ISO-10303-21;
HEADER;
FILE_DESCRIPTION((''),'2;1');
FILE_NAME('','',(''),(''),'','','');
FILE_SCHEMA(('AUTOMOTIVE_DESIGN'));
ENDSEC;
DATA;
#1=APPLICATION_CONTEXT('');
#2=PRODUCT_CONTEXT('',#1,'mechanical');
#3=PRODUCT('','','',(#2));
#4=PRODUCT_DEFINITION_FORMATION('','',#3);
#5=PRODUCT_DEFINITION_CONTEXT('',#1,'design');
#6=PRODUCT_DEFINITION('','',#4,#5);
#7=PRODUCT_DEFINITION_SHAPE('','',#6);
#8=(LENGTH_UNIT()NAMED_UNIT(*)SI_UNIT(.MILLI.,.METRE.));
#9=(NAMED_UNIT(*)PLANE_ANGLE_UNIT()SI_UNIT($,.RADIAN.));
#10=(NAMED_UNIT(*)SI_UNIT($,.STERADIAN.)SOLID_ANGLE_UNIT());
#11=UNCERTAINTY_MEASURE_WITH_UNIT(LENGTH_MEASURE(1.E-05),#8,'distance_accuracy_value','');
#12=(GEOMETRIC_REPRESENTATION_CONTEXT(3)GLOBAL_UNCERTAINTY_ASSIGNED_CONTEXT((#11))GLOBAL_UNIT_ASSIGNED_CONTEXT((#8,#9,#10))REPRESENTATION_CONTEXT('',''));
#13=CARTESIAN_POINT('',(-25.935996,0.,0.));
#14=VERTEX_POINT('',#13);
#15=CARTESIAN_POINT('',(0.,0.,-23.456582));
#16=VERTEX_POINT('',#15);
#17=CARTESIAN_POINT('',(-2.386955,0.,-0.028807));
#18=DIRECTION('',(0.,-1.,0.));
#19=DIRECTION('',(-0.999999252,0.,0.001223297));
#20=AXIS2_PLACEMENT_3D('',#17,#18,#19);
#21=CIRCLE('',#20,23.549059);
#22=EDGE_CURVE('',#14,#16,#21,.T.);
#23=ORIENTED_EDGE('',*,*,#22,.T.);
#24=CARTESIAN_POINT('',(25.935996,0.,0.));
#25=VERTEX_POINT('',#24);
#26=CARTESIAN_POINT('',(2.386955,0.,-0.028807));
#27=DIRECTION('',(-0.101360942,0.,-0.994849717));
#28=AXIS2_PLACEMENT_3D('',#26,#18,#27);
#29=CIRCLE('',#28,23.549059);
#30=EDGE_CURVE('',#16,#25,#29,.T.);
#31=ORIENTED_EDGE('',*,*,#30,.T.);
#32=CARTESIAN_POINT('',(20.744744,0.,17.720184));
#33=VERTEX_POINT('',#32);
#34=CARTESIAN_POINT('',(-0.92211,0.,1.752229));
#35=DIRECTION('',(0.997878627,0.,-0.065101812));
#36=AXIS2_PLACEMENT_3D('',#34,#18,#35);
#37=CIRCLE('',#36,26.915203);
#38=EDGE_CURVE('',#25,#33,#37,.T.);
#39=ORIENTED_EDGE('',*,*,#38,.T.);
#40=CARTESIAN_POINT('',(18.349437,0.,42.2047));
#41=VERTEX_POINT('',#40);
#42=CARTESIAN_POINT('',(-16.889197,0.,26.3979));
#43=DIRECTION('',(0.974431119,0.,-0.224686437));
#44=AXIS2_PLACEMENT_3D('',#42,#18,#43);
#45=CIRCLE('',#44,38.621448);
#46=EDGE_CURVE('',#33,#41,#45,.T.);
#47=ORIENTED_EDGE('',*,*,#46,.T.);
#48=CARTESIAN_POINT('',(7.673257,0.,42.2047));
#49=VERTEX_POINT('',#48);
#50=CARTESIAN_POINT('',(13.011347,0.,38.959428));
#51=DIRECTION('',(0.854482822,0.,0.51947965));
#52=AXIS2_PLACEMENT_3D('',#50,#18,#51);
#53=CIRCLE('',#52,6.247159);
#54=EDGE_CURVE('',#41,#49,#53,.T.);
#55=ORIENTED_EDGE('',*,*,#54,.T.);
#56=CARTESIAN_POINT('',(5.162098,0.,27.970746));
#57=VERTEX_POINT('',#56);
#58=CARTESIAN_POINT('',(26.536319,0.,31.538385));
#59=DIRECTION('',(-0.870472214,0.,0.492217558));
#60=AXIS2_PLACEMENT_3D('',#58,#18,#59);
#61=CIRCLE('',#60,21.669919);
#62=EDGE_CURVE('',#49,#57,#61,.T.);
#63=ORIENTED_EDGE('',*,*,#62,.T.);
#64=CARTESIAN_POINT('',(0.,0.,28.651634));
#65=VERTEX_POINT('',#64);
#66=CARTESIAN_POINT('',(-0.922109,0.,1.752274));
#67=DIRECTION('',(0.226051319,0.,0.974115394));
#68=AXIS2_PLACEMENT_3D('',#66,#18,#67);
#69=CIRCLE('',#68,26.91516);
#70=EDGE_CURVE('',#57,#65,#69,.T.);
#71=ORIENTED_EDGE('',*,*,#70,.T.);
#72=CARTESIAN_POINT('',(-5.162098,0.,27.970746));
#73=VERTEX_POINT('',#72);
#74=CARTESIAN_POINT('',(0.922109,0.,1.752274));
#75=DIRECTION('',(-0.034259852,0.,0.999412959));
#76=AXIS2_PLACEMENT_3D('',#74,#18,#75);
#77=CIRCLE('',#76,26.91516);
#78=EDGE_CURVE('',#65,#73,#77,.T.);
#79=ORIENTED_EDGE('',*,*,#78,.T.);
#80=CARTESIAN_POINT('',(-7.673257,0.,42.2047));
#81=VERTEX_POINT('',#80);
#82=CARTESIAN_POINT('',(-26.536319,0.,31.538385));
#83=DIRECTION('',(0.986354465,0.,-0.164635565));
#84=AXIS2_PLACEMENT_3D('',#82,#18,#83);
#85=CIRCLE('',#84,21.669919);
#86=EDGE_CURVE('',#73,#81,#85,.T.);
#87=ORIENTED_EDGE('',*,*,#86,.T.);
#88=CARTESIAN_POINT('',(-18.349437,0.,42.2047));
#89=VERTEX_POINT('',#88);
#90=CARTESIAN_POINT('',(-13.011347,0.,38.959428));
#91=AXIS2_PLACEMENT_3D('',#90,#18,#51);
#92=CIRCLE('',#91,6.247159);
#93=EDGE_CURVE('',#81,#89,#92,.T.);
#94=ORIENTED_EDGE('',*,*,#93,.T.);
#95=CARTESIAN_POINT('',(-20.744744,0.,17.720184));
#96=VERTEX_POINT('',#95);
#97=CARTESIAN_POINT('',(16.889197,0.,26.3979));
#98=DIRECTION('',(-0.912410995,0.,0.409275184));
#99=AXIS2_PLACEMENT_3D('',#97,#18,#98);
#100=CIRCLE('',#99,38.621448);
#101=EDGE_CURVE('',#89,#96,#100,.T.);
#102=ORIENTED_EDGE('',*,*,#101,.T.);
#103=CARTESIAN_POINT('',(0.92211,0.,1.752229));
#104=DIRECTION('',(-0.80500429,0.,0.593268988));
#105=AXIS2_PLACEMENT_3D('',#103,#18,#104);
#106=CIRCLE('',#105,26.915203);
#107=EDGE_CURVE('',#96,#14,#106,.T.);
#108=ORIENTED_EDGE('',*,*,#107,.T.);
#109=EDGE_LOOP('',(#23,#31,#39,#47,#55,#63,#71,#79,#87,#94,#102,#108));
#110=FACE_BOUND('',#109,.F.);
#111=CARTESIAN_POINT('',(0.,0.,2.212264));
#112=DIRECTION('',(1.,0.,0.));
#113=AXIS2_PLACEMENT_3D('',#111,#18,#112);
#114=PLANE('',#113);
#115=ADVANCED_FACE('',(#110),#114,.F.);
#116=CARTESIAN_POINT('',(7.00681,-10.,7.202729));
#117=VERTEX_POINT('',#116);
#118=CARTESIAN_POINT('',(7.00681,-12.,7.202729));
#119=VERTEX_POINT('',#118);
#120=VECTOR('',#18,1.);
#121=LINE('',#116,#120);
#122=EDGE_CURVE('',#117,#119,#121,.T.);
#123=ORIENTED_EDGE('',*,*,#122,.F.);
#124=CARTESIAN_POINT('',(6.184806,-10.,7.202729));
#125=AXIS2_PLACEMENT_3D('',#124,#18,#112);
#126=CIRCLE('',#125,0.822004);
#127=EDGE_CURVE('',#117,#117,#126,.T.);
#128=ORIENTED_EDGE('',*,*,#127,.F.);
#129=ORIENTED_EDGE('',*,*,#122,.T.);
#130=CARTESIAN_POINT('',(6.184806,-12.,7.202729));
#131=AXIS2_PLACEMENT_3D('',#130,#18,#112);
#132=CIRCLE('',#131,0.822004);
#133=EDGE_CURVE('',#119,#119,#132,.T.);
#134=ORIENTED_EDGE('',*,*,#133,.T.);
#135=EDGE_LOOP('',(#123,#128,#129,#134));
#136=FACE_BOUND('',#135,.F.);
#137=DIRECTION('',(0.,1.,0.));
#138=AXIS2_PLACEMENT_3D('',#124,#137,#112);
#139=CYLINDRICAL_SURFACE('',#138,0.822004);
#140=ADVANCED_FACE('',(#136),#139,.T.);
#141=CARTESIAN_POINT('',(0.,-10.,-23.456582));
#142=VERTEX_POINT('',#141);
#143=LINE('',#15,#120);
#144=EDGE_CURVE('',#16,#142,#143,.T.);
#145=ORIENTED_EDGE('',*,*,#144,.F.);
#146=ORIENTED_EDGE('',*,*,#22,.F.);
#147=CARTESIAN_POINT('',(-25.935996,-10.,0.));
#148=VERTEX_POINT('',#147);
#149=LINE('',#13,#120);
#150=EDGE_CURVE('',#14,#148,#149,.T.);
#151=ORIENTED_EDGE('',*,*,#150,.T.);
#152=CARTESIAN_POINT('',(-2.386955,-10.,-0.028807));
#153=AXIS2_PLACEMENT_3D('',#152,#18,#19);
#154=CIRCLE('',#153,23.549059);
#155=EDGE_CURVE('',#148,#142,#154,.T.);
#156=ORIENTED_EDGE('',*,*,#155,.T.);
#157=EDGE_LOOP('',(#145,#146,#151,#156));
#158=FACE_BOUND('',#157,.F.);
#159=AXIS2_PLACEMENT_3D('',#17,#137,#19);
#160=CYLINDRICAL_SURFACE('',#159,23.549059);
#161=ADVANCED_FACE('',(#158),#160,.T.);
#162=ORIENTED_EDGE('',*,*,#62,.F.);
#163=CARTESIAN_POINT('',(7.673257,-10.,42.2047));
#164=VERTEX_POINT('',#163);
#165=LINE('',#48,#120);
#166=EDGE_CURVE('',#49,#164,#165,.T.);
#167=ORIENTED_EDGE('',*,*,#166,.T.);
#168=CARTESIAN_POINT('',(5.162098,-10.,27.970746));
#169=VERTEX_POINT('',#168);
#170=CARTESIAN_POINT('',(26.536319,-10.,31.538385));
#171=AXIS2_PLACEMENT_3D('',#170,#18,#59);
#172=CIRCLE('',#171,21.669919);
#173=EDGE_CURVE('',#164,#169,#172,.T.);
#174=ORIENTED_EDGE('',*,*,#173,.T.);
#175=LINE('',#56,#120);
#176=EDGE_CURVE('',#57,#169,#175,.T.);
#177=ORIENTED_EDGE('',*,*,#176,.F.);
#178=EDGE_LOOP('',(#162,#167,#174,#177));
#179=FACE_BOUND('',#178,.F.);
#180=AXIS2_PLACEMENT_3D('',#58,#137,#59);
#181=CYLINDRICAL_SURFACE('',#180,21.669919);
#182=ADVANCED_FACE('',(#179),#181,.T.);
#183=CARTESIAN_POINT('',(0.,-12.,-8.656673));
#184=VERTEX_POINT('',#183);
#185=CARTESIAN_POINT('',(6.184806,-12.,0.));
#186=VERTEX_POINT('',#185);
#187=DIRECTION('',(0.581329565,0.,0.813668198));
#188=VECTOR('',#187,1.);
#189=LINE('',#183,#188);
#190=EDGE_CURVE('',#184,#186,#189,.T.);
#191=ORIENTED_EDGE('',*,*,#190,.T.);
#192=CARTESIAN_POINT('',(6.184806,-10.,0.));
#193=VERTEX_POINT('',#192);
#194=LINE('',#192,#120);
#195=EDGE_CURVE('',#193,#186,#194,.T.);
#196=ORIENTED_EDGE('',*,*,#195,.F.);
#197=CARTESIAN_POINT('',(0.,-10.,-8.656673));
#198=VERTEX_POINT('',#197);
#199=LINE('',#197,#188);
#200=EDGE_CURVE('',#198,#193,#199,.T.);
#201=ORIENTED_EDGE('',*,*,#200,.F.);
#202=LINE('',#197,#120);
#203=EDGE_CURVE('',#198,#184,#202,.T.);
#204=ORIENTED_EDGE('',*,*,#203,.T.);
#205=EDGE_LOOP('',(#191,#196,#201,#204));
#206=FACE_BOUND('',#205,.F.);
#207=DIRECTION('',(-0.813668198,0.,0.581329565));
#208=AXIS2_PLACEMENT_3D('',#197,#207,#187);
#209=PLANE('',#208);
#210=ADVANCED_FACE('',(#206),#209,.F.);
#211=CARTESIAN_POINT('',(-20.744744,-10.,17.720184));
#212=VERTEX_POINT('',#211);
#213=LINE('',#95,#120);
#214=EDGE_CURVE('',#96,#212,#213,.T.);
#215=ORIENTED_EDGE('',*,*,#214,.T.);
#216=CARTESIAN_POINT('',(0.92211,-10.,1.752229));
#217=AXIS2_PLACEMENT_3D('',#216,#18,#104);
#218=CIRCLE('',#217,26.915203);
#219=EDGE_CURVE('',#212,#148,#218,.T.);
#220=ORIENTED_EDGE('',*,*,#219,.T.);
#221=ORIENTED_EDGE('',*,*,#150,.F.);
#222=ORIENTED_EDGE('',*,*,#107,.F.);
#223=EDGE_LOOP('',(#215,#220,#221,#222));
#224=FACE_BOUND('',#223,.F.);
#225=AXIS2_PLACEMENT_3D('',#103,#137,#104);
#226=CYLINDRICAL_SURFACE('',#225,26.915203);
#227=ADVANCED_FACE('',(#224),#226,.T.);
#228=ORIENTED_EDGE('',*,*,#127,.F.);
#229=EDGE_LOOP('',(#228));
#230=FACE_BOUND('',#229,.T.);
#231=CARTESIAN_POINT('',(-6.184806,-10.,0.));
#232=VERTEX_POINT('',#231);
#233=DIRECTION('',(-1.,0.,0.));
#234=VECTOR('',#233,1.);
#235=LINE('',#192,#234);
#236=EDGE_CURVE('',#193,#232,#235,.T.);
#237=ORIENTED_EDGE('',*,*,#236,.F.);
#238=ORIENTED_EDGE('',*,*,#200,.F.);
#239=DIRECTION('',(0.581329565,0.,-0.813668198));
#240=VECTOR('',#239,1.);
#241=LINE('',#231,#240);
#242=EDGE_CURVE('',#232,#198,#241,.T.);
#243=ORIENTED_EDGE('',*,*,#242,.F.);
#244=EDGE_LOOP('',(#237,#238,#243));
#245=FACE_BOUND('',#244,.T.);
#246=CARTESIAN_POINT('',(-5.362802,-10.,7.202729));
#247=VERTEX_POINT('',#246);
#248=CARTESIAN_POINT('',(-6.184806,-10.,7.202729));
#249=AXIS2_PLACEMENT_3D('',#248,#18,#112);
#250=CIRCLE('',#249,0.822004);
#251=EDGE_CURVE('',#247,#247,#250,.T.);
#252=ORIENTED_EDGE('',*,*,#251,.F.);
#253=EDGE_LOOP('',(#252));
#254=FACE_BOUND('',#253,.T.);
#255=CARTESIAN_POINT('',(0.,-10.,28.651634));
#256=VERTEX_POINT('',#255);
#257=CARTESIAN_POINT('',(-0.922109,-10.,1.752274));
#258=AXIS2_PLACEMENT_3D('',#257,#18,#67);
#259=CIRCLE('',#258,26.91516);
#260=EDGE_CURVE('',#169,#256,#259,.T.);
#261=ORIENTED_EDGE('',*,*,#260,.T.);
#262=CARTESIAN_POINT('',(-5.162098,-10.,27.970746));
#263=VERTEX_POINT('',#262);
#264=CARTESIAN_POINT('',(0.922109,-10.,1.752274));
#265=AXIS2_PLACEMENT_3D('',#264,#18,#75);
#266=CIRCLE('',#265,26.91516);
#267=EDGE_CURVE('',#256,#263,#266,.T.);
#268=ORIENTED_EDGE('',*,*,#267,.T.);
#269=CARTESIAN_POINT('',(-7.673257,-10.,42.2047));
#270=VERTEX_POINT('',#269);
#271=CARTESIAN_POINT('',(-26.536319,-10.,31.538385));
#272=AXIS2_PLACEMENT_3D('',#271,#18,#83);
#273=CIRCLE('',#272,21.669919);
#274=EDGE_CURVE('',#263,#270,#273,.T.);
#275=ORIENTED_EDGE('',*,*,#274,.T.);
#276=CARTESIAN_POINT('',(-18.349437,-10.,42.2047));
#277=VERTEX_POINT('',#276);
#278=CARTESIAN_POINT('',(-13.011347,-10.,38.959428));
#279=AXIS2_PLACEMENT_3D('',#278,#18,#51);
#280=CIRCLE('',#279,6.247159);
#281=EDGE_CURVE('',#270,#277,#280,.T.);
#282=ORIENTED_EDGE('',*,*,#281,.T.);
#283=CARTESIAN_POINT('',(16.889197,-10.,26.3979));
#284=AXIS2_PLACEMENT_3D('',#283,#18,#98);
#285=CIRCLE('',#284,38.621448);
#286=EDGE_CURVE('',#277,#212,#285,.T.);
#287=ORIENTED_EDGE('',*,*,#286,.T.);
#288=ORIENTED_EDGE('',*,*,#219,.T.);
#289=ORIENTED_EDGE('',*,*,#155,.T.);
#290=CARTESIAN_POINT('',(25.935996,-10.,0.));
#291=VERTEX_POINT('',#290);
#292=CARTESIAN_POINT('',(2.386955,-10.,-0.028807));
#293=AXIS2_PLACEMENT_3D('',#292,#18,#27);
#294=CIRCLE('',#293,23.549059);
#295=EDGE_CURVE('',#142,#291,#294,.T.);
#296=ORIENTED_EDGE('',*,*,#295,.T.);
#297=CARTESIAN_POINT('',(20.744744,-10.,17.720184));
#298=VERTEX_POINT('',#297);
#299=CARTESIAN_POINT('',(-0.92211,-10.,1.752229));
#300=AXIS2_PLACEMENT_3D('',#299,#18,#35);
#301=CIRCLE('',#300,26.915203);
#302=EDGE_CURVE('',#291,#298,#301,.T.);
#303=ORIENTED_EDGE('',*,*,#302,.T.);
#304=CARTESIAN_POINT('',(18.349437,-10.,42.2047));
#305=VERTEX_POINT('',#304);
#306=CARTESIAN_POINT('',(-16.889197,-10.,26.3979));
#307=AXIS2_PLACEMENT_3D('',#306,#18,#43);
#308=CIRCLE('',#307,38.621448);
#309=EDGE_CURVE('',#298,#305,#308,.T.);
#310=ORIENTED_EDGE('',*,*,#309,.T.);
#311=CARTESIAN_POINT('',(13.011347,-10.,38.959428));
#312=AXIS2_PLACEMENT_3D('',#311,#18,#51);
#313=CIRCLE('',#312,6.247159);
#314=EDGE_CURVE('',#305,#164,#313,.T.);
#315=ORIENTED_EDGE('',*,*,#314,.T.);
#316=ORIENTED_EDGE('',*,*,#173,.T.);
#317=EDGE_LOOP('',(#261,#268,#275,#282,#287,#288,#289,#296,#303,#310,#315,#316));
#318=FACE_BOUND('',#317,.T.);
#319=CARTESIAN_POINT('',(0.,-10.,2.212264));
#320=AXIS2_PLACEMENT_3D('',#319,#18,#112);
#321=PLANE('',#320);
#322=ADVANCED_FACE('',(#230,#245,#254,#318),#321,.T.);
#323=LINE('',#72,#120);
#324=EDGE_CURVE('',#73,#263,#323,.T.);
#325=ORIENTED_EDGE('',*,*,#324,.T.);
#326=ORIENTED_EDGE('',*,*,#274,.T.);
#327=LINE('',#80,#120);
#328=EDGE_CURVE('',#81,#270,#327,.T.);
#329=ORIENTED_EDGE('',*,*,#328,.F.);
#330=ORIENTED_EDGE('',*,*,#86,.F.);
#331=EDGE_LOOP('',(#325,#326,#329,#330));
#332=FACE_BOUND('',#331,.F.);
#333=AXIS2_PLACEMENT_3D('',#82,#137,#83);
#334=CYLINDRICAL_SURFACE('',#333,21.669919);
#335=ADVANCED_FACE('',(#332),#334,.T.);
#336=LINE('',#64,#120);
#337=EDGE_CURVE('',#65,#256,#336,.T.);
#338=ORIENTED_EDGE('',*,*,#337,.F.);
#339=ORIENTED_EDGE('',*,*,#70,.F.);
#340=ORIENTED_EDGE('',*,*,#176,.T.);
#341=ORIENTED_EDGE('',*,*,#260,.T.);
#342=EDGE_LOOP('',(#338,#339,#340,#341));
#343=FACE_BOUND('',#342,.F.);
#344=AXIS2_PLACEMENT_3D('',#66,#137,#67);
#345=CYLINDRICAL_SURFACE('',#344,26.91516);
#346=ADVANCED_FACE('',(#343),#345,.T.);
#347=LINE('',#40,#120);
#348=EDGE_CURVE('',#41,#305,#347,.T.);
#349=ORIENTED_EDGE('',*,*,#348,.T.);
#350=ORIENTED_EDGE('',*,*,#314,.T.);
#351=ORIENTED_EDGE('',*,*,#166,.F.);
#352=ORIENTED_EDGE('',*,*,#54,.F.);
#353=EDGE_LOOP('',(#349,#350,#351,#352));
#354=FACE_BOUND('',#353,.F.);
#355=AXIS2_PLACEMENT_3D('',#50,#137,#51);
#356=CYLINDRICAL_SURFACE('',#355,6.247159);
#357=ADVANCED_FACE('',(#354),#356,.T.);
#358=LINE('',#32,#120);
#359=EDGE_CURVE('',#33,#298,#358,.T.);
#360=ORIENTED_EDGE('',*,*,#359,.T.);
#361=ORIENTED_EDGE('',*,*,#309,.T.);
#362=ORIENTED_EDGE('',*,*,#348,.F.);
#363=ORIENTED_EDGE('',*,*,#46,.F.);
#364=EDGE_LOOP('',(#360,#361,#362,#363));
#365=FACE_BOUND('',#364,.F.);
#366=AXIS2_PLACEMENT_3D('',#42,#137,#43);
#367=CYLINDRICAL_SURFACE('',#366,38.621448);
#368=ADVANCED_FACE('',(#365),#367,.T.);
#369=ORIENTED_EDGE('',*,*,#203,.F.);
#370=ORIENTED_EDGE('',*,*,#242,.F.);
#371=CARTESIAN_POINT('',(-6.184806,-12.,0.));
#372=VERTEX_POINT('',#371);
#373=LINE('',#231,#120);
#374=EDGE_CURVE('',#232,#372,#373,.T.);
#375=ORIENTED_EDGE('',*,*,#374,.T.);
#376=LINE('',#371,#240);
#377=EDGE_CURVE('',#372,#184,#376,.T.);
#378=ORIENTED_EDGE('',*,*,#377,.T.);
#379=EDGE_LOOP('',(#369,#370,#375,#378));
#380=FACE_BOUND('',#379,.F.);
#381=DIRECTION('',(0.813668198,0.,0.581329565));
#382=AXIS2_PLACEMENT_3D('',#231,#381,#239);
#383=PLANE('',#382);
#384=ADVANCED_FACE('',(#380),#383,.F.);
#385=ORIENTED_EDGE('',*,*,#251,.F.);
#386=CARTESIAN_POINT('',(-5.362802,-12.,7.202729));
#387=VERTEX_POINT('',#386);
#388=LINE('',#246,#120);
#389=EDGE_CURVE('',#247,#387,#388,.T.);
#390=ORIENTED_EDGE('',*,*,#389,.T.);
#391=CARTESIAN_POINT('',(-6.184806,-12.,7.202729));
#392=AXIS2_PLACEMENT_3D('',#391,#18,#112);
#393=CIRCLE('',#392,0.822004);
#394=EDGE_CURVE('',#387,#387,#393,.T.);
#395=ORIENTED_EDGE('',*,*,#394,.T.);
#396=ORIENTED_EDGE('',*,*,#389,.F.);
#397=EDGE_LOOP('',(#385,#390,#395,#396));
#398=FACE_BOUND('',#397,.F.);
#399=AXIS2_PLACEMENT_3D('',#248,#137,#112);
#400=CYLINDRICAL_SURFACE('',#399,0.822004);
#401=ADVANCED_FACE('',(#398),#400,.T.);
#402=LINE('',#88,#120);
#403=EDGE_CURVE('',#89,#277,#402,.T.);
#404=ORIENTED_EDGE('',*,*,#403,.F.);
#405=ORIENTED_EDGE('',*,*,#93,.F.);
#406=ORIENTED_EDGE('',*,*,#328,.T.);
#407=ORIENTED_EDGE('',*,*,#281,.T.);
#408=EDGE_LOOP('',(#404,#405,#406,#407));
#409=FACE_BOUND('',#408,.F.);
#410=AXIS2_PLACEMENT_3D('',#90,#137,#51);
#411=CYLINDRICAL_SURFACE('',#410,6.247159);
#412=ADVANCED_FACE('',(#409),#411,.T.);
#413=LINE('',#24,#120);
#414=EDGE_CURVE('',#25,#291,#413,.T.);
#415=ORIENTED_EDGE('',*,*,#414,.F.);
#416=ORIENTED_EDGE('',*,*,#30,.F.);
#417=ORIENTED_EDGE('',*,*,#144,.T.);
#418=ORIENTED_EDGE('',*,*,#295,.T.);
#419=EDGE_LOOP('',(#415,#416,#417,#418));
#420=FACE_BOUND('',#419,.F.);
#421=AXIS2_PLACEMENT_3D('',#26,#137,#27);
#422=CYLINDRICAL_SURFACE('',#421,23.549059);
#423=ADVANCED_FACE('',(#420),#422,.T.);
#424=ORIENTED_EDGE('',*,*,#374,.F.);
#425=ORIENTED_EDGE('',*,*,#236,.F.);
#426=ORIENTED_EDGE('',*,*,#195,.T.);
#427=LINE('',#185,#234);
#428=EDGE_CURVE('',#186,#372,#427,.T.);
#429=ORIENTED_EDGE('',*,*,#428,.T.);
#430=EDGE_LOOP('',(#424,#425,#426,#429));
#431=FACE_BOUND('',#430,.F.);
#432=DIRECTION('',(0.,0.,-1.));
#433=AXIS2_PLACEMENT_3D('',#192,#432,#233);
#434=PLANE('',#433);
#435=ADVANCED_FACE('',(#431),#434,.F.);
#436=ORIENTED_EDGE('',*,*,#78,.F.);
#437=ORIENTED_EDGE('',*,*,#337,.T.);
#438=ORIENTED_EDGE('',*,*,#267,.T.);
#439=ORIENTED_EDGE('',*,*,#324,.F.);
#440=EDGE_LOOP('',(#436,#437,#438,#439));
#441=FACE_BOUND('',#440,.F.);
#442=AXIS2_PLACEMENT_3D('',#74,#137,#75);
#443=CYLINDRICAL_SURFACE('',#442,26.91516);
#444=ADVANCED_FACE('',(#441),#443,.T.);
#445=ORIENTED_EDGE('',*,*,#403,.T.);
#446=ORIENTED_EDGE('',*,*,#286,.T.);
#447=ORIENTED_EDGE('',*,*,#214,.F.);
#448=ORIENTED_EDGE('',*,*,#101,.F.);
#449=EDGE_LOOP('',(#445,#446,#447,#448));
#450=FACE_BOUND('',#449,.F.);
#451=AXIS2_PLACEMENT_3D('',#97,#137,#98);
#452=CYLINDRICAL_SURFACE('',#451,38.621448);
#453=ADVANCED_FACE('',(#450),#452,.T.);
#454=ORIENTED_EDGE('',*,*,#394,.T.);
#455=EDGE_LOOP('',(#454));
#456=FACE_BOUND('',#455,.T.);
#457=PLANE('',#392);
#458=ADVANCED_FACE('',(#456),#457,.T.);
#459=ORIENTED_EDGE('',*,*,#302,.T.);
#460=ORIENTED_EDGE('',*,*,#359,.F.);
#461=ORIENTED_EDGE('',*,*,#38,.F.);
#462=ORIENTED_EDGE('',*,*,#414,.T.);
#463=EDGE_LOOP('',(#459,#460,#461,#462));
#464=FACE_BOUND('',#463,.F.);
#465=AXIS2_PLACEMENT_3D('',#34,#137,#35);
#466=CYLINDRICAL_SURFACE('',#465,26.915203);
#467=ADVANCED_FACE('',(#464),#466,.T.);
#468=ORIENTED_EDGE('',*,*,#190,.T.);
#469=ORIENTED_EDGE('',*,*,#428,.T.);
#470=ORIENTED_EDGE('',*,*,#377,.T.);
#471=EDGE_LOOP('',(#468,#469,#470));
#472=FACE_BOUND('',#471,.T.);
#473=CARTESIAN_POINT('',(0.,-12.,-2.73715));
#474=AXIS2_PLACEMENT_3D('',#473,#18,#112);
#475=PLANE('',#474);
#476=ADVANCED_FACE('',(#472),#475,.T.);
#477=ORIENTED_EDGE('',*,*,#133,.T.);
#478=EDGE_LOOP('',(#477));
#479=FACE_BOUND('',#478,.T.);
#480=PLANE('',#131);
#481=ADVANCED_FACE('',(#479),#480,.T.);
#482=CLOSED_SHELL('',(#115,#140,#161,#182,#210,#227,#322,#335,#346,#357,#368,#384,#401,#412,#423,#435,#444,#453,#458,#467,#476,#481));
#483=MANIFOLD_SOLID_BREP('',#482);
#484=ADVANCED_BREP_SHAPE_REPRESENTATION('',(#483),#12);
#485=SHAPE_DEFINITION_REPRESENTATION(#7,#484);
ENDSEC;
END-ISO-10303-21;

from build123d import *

# Parameters (mm, degrees)
F1_DEPTH = 10
F2_R     = 0.822004
F3_DEPTH = 2


with BuildPart() as f1:
    # F0 (on Front) → F1 (new body)
    with BuildSketch(Plane.XZ):
        with BuildLine():
            ThreePointArc((-20.744744, 17.720184), (-24.907508, 9.319196), (-25.935996, 0))
            ThreePointArc((-25.935996, 0), (-18.182881, -17.494399), (0, -23.456582))
            ThreePointArc((0, -23.456582), (18.182881, -17.494399), (25.935996, 0))
            ThreePointArc((25.935996, 0), (24.907508, 9.319196), (20.744744, 17.720184))
            ThreePointArc((20.744744, 17.720184), (13.869741, 24.238432), (5.162098, 27.970746))
            ThreePointArc((5.162098, 27.970746), (2.597553, 28.436311), (0, 28.651634))
            ThreePointArc((0, 28.651634), (-2.597553, 28.436311), (-5.162098, 27.970746))
            ThreePointArc((-5.162098, 27.970746), (-13.869741, 24.238432), (-20.744744, 17.720184))
        make_face()
        with BuildLine():
            ThreePointArc((-18.349437, 42.2047), (-21.548752, 30.158264), (-20.744744, 17.720184))
            ThreePointArc((-20.744744, 17.720184), (-13.869741, 24.238432), (-5.162098, 27.970746))
            ThreePointArc((-5.162098, 27.970746), (-5.195956, 35.30326), (-7.673257, 42.2047))
            ThreePointArc((-7.673257, 42.2047), (-13.011347, 45.206587), (-18.349437, 42.2047))
        make_face()
        with BuildLine():
            ThreePointArc((5.162098, 27.970746), (13.869741, 24.238432), (20.744744, 17.720184))
            ThreePointArc((20.744744, 17.720184), (21.548752, 30.158264), (18.349437, 42.2047))
            ThreePointArc((18.349437, 42.2047), (13.011347, 45.206587), (7.673257, 42.2047))
            ThreePointArc((7.673257, 42.2047), (5.195956, 35.30326), (5.162098, 27.970746))
        make_face()
    extrude(amount=F1_DEPTH)

    # F2 (on face) → F3 (join)
    with BuildSketch(Plane.XZ.offset(10)):
        Polygon((6.184806, 0), (0, 0), (-6.184806, 0), (0, -8.656673), align=None)
        with Locations((-6.184806, 7.202729)):
            Circle(F2_R)
        with Locations((6.184806, 7.202729)):
            Circle(F2_R)
    extrude(amount=F3_DEPTH)


solid = f1.part
